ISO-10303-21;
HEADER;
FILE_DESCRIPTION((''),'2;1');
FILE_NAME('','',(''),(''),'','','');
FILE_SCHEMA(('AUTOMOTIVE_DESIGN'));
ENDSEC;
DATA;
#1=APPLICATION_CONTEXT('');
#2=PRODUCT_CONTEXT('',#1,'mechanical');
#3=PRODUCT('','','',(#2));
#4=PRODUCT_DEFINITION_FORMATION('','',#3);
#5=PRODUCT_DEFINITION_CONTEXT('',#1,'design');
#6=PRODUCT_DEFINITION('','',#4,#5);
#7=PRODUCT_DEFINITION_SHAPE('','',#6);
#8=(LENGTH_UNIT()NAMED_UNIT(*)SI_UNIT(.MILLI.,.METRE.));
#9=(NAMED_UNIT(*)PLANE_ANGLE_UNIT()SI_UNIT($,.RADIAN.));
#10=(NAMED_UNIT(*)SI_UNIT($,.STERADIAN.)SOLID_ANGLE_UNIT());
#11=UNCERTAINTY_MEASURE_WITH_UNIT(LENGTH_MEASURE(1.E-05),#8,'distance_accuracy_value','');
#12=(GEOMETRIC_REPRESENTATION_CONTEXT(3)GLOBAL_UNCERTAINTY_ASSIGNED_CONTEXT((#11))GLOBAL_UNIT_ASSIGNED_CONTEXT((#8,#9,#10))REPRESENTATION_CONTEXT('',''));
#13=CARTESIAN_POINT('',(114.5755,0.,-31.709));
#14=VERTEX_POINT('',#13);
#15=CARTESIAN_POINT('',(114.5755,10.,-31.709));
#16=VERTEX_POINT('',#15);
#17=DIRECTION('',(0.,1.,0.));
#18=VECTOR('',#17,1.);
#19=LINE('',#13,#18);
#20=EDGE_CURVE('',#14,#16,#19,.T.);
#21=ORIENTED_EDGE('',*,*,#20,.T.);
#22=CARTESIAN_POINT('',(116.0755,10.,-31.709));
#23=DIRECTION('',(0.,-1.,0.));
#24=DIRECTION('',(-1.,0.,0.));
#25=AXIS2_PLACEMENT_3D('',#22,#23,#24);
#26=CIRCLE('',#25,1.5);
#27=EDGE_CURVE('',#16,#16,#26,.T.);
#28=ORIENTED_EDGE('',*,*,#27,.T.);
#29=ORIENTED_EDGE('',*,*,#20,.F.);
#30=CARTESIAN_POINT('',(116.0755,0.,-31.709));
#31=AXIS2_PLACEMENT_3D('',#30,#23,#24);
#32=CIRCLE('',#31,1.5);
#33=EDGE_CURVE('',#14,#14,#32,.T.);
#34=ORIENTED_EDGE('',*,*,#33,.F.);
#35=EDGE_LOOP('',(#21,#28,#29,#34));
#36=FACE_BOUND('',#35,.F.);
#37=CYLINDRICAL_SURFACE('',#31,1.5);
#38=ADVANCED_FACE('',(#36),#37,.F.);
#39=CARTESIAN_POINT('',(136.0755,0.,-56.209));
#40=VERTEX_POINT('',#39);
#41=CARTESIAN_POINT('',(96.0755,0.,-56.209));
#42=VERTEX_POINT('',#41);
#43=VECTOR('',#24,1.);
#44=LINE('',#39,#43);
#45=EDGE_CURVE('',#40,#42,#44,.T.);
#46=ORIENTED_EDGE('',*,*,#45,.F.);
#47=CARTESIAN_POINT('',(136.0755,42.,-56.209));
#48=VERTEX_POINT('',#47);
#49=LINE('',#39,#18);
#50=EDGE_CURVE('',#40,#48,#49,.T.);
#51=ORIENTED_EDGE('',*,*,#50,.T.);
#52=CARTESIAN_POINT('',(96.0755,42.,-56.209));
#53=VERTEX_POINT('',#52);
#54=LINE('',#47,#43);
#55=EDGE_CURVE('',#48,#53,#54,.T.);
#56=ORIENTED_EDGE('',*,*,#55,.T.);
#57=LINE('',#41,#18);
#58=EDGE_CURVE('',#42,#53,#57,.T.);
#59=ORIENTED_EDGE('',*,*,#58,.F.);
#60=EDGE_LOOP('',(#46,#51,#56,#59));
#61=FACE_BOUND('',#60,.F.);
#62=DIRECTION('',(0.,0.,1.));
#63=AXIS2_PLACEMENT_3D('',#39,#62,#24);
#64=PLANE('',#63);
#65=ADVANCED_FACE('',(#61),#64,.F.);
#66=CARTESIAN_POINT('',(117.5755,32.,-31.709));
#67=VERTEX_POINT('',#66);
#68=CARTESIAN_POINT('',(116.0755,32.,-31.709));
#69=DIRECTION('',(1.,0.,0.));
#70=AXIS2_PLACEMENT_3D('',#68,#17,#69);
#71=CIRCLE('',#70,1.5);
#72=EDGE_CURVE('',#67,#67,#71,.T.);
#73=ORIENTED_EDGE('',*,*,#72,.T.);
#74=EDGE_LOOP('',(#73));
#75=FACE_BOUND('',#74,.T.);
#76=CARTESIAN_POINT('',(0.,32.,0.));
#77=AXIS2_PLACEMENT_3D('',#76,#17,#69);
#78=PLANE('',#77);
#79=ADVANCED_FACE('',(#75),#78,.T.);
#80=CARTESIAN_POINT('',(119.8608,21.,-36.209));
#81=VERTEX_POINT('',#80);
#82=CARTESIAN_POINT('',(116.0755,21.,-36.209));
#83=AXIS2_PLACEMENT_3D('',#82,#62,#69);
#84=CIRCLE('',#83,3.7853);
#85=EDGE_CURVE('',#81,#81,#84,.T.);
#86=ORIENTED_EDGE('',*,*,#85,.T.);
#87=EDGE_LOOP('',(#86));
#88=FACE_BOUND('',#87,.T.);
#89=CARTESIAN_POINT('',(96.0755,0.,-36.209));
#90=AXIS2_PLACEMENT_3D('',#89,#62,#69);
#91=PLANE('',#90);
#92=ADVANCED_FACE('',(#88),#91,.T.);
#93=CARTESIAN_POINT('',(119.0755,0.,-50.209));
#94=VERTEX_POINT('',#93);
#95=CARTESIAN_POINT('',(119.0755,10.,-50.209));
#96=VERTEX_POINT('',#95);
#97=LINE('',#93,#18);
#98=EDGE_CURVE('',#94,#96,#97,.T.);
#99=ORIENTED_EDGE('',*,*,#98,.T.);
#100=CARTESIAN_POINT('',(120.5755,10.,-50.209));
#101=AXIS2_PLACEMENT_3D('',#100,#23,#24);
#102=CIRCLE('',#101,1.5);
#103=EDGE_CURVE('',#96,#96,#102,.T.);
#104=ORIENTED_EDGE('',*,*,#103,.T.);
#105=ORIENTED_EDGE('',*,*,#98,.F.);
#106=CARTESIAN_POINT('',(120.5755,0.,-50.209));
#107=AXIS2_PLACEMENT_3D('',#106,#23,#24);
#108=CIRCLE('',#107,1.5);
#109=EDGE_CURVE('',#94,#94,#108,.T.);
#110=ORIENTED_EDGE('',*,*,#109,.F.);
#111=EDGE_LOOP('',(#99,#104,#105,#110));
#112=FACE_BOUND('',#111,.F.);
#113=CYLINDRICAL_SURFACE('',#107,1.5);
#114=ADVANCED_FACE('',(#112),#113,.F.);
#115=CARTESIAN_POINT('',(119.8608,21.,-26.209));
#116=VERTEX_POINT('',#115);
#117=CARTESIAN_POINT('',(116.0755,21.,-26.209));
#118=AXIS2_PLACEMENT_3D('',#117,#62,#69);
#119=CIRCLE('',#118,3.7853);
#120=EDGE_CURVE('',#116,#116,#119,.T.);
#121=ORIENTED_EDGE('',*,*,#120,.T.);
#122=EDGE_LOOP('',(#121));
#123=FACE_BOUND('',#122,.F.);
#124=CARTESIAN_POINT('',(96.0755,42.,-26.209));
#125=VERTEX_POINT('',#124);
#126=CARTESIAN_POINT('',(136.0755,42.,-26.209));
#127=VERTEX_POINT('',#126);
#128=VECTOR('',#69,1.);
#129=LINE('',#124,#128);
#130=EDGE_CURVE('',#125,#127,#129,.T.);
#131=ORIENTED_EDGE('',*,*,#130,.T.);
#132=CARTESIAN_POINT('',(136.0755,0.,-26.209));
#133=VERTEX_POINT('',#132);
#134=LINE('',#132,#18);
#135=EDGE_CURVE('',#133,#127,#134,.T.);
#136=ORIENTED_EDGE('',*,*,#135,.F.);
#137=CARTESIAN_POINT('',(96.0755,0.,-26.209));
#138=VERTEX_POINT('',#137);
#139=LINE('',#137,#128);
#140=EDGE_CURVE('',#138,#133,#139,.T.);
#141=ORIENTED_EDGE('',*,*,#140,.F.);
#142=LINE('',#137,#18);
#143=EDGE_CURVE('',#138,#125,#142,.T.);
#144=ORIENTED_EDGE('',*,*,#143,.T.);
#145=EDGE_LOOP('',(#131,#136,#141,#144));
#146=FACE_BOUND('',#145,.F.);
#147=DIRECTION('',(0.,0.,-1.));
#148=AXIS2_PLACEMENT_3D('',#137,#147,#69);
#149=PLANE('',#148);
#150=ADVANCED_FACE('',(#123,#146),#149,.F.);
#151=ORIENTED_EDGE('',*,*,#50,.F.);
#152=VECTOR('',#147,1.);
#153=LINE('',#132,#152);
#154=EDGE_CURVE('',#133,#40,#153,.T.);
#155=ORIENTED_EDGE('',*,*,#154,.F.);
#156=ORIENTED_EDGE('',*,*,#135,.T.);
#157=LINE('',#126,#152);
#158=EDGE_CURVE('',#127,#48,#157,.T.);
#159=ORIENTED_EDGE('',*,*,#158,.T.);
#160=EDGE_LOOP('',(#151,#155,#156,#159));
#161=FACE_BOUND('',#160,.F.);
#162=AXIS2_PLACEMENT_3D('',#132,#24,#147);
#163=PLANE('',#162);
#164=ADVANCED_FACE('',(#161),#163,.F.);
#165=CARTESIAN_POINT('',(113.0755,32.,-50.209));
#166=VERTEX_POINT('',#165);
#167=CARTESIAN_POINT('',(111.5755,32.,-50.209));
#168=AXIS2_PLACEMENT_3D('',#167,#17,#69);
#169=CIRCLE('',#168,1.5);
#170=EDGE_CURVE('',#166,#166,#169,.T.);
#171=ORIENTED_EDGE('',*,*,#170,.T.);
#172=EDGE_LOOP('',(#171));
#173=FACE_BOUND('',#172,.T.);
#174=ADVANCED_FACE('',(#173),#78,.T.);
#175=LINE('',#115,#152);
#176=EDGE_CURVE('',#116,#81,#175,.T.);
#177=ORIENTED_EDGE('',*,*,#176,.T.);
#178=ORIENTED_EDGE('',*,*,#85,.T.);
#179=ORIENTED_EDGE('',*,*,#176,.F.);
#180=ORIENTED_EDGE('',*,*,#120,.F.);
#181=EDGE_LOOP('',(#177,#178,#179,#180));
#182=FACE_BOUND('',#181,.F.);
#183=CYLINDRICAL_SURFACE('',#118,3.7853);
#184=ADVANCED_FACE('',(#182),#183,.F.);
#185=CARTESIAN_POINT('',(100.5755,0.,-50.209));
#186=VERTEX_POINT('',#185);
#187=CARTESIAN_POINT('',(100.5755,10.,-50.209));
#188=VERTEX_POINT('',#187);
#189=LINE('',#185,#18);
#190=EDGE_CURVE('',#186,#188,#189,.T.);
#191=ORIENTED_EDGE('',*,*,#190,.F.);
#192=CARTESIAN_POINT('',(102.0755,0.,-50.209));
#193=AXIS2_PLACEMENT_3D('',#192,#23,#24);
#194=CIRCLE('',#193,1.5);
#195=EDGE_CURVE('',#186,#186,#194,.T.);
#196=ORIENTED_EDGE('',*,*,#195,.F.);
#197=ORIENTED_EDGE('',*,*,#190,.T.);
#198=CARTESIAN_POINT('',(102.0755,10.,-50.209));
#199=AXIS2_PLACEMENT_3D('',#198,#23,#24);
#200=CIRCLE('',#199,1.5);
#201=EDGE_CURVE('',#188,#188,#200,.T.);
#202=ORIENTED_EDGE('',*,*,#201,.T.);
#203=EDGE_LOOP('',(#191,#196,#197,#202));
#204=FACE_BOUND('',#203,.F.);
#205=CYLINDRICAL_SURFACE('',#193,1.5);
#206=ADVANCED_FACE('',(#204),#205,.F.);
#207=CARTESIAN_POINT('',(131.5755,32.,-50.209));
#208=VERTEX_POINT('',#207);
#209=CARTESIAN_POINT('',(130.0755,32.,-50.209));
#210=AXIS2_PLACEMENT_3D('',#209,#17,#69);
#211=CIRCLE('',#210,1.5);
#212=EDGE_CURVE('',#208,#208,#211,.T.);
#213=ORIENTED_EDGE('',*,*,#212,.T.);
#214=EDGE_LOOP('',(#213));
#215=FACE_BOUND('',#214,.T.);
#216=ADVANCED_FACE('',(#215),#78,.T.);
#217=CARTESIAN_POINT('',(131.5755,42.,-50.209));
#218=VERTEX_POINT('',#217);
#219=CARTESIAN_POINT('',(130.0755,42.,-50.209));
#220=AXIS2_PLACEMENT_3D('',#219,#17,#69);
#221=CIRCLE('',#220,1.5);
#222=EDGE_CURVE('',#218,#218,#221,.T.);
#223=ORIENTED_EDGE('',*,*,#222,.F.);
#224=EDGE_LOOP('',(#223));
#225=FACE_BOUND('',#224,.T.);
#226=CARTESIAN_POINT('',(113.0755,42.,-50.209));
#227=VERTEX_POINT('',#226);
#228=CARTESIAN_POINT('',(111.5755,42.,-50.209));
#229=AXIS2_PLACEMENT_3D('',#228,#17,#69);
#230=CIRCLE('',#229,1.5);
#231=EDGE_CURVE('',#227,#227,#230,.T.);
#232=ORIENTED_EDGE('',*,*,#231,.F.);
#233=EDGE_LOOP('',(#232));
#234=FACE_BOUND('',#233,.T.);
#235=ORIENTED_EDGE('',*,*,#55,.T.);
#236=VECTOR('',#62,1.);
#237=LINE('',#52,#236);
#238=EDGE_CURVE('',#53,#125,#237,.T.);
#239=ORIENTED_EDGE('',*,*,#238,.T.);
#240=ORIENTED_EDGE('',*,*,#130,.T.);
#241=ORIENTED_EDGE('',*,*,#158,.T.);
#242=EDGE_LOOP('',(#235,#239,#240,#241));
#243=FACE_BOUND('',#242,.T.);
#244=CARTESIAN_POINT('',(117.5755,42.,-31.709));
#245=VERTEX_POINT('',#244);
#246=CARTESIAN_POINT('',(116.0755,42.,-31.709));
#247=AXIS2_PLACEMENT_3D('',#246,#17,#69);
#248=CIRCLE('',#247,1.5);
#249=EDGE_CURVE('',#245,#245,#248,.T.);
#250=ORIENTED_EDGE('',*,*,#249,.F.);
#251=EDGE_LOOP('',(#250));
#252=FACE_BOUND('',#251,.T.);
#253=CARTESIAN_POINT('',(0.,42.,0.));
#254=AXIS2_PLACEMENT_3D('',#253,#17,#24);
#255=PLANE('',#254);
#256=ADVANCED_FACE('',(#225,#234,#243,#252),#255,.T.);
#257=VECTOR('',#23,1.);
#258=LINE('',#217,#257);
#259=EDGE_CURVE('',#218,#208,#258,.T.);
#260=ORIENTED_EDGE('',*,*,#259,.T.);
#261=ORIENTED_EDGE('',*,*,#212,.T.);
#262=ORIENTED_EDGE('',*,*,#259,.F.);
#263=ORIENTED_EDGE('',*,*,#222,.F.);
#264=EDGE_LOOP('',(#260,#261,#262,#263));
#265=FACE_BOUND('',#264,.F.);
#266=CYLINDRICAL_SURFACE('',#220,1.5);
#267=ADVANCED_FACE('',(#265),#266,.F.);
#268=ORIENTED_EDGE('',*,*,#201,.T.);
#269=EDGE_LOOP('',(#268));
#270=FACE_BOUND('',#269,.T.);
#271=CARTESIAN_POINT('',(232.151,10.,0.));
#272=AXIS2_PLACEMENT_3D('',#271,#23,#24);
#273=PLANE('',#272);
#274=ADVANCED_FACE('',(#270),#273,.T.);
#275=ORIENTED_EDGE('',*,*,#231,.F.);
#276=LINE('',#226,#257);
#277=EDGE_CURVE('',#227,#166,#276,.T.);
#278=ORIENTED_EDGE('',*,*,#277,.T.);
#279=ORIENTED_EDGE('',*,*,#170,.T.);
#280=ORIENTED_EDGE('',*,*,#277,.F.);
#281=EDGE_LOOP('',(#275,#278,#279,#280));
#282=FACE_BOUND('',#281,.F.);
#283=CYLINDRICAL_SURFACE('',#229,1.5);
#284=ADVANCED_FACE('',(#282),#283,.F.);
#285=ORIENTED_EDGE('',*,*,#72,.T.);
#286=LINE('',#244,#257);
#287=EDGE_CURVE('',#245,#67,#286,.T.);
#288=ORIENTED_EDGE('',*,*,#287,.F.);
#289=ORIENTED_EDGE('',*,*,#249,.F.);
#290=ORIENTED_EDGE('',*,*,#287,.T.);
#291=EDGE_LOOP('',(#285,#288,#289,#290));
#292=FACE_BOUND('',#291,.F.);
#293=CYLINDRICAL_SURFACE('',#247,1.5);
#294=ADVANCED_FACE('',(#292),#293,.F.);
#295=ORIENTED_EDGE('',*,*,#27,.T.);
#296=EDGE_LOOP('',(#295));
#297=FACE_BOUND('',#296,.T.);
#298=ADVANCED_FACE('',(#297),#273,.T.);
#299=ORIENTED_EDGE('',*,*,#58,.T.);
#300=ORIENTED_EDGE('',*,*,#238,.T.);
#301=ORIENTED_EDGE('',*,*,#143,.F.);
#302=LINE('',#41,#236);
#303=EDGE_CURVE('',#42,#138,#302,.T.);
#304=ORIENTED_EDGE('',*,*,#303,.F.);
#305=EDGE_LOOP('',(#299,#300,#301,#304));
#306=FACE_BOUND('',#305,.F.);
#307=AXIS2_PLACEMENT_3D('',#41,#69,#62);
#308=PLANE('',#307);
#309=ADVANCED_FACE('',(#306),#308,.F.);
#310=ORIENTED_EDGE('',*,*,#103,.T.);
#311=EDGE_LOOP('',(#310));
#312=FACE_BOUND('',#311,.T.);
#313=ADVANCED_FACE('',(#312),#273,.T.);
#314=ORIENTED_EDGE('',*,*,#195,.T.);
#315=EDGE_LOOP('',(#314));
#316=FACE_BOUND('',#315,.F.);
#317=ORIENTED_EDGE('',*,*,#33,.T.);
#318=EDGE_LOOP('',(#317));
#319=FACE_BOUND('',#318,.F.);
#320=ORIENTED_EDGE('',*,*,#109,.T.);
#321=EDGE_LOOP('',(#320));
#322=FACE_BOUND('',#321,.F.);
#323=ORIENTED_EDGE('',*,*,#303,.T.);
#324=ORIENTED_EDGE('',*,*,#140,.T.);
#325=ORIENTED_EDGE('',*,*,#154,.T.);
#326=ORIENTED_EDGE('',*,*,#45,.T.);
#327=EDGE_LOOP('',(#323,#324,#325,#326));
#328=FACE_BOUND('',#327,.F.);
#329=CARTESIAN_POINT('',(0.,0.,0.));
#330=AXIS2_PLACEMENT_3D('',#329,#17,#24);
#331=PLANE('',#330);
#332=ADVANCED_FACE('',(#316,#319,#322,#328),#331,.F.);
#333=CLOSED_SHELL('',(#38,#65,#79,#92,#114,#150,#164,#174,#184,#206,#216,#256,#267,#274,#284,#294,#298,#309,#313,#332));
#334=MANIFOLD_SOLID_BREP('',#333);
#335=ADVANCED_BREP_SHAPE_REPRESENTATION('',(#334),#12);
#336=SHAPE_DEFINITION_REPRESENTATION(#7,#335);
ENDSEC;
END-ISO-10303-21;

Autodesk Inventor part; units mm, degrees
ref_plane "YZ Plane" through (0, 0, 0) normal (1, 0, 0) x (0, 1, 0)
ref_plane "XZ Plane" through (0, 0, 0) normal (0, 1, 0) x (-1, 0, 0)
ref_plane "XY Plane" through (0, 0, 0) normal (0, 0, 1) x (1, 0, 0)
sketch "Skizze1" plane through (0, 0, 0) normal (0, 1, 0) x (-1, 0, 0)
  line L0 (-96.0755, -26.209) -> (-136.0755, -26.209)
  line L1 (-136.0755, -26.209) -> (-136.0755, -56.209)
  line L2 (-136.0755, -56.209) -> (-96.0755, -56.209)
  line L3 (-96.0755, -56.209) -> (-96.0755, -26.209)
  point P0 (0, 0)
  dimension "d0" = 40
  dimension "d1" = 30
extrude "Extrusion1" add sketch "Skizze1" along normal blind 42
sketch "Skizze4" plane through (96.0755, 0, -26.209) normal (0, 0, 1) x (1, 0, 0)
  line L0 (0, 0) -> (40, 0) projected
  line L1 (40, 0) -> (40, 42) projected
  line L2 (0, 42) -> (40, 42) projected
  line L3 (0, 0) -> (0, 42) projected
  line L4 (0, 0) -> (40, 0) projected
  line L5 (40, 0) -> (40, 42) projected
  line L6 (0, 42) -> (40, 42) projected
  line L7 (0, 0) -> (0, 42) projected
  circle A0 centre (20, 21) radius 3.7853
  point P0 (-96.0755, 0)
extrude "Extrusion3" cut sketch "Skizze4" against normal blind 10 contours A0
sketch "Skizze3" plane through (0, 42, 0) normal (0, 1, 0) x (1, 0, 0)
  circle A0 centre (130.0755, 50.209) radius 1.5
  circle A1 centre (111.5755, 50.209) radius 1.5
  circle A2 centre (116.0755, 31.709) radius 1.5
  line L0 (136.0755, 56.209) -> (96.0755, 56.209) projected
  line L1 (136.0755, 26.209) -> (136.0755, 56.209) projected
  point P0 (0, 0)
  dimension "d4" = 3
  dimension "d5" = 3
  dimension "d6" = 3
  dimension "d7" = 6
  dimension "d8" = 6
  dimension "d9" = 6
  dimension "d10" = 18.5
  dimension "d11" = 18.5
  dimension "d12" = 20
extrude "Extrusion2" cut sketch "Skizze3" against normal blind 10
pattern_circular "Runde Anordnung1" count 2 over 360 about axis through (116.0755, 21, -26.209) along (0, 0, -1) of "Extrusion2"
properties part number "01_Coolingblock"
